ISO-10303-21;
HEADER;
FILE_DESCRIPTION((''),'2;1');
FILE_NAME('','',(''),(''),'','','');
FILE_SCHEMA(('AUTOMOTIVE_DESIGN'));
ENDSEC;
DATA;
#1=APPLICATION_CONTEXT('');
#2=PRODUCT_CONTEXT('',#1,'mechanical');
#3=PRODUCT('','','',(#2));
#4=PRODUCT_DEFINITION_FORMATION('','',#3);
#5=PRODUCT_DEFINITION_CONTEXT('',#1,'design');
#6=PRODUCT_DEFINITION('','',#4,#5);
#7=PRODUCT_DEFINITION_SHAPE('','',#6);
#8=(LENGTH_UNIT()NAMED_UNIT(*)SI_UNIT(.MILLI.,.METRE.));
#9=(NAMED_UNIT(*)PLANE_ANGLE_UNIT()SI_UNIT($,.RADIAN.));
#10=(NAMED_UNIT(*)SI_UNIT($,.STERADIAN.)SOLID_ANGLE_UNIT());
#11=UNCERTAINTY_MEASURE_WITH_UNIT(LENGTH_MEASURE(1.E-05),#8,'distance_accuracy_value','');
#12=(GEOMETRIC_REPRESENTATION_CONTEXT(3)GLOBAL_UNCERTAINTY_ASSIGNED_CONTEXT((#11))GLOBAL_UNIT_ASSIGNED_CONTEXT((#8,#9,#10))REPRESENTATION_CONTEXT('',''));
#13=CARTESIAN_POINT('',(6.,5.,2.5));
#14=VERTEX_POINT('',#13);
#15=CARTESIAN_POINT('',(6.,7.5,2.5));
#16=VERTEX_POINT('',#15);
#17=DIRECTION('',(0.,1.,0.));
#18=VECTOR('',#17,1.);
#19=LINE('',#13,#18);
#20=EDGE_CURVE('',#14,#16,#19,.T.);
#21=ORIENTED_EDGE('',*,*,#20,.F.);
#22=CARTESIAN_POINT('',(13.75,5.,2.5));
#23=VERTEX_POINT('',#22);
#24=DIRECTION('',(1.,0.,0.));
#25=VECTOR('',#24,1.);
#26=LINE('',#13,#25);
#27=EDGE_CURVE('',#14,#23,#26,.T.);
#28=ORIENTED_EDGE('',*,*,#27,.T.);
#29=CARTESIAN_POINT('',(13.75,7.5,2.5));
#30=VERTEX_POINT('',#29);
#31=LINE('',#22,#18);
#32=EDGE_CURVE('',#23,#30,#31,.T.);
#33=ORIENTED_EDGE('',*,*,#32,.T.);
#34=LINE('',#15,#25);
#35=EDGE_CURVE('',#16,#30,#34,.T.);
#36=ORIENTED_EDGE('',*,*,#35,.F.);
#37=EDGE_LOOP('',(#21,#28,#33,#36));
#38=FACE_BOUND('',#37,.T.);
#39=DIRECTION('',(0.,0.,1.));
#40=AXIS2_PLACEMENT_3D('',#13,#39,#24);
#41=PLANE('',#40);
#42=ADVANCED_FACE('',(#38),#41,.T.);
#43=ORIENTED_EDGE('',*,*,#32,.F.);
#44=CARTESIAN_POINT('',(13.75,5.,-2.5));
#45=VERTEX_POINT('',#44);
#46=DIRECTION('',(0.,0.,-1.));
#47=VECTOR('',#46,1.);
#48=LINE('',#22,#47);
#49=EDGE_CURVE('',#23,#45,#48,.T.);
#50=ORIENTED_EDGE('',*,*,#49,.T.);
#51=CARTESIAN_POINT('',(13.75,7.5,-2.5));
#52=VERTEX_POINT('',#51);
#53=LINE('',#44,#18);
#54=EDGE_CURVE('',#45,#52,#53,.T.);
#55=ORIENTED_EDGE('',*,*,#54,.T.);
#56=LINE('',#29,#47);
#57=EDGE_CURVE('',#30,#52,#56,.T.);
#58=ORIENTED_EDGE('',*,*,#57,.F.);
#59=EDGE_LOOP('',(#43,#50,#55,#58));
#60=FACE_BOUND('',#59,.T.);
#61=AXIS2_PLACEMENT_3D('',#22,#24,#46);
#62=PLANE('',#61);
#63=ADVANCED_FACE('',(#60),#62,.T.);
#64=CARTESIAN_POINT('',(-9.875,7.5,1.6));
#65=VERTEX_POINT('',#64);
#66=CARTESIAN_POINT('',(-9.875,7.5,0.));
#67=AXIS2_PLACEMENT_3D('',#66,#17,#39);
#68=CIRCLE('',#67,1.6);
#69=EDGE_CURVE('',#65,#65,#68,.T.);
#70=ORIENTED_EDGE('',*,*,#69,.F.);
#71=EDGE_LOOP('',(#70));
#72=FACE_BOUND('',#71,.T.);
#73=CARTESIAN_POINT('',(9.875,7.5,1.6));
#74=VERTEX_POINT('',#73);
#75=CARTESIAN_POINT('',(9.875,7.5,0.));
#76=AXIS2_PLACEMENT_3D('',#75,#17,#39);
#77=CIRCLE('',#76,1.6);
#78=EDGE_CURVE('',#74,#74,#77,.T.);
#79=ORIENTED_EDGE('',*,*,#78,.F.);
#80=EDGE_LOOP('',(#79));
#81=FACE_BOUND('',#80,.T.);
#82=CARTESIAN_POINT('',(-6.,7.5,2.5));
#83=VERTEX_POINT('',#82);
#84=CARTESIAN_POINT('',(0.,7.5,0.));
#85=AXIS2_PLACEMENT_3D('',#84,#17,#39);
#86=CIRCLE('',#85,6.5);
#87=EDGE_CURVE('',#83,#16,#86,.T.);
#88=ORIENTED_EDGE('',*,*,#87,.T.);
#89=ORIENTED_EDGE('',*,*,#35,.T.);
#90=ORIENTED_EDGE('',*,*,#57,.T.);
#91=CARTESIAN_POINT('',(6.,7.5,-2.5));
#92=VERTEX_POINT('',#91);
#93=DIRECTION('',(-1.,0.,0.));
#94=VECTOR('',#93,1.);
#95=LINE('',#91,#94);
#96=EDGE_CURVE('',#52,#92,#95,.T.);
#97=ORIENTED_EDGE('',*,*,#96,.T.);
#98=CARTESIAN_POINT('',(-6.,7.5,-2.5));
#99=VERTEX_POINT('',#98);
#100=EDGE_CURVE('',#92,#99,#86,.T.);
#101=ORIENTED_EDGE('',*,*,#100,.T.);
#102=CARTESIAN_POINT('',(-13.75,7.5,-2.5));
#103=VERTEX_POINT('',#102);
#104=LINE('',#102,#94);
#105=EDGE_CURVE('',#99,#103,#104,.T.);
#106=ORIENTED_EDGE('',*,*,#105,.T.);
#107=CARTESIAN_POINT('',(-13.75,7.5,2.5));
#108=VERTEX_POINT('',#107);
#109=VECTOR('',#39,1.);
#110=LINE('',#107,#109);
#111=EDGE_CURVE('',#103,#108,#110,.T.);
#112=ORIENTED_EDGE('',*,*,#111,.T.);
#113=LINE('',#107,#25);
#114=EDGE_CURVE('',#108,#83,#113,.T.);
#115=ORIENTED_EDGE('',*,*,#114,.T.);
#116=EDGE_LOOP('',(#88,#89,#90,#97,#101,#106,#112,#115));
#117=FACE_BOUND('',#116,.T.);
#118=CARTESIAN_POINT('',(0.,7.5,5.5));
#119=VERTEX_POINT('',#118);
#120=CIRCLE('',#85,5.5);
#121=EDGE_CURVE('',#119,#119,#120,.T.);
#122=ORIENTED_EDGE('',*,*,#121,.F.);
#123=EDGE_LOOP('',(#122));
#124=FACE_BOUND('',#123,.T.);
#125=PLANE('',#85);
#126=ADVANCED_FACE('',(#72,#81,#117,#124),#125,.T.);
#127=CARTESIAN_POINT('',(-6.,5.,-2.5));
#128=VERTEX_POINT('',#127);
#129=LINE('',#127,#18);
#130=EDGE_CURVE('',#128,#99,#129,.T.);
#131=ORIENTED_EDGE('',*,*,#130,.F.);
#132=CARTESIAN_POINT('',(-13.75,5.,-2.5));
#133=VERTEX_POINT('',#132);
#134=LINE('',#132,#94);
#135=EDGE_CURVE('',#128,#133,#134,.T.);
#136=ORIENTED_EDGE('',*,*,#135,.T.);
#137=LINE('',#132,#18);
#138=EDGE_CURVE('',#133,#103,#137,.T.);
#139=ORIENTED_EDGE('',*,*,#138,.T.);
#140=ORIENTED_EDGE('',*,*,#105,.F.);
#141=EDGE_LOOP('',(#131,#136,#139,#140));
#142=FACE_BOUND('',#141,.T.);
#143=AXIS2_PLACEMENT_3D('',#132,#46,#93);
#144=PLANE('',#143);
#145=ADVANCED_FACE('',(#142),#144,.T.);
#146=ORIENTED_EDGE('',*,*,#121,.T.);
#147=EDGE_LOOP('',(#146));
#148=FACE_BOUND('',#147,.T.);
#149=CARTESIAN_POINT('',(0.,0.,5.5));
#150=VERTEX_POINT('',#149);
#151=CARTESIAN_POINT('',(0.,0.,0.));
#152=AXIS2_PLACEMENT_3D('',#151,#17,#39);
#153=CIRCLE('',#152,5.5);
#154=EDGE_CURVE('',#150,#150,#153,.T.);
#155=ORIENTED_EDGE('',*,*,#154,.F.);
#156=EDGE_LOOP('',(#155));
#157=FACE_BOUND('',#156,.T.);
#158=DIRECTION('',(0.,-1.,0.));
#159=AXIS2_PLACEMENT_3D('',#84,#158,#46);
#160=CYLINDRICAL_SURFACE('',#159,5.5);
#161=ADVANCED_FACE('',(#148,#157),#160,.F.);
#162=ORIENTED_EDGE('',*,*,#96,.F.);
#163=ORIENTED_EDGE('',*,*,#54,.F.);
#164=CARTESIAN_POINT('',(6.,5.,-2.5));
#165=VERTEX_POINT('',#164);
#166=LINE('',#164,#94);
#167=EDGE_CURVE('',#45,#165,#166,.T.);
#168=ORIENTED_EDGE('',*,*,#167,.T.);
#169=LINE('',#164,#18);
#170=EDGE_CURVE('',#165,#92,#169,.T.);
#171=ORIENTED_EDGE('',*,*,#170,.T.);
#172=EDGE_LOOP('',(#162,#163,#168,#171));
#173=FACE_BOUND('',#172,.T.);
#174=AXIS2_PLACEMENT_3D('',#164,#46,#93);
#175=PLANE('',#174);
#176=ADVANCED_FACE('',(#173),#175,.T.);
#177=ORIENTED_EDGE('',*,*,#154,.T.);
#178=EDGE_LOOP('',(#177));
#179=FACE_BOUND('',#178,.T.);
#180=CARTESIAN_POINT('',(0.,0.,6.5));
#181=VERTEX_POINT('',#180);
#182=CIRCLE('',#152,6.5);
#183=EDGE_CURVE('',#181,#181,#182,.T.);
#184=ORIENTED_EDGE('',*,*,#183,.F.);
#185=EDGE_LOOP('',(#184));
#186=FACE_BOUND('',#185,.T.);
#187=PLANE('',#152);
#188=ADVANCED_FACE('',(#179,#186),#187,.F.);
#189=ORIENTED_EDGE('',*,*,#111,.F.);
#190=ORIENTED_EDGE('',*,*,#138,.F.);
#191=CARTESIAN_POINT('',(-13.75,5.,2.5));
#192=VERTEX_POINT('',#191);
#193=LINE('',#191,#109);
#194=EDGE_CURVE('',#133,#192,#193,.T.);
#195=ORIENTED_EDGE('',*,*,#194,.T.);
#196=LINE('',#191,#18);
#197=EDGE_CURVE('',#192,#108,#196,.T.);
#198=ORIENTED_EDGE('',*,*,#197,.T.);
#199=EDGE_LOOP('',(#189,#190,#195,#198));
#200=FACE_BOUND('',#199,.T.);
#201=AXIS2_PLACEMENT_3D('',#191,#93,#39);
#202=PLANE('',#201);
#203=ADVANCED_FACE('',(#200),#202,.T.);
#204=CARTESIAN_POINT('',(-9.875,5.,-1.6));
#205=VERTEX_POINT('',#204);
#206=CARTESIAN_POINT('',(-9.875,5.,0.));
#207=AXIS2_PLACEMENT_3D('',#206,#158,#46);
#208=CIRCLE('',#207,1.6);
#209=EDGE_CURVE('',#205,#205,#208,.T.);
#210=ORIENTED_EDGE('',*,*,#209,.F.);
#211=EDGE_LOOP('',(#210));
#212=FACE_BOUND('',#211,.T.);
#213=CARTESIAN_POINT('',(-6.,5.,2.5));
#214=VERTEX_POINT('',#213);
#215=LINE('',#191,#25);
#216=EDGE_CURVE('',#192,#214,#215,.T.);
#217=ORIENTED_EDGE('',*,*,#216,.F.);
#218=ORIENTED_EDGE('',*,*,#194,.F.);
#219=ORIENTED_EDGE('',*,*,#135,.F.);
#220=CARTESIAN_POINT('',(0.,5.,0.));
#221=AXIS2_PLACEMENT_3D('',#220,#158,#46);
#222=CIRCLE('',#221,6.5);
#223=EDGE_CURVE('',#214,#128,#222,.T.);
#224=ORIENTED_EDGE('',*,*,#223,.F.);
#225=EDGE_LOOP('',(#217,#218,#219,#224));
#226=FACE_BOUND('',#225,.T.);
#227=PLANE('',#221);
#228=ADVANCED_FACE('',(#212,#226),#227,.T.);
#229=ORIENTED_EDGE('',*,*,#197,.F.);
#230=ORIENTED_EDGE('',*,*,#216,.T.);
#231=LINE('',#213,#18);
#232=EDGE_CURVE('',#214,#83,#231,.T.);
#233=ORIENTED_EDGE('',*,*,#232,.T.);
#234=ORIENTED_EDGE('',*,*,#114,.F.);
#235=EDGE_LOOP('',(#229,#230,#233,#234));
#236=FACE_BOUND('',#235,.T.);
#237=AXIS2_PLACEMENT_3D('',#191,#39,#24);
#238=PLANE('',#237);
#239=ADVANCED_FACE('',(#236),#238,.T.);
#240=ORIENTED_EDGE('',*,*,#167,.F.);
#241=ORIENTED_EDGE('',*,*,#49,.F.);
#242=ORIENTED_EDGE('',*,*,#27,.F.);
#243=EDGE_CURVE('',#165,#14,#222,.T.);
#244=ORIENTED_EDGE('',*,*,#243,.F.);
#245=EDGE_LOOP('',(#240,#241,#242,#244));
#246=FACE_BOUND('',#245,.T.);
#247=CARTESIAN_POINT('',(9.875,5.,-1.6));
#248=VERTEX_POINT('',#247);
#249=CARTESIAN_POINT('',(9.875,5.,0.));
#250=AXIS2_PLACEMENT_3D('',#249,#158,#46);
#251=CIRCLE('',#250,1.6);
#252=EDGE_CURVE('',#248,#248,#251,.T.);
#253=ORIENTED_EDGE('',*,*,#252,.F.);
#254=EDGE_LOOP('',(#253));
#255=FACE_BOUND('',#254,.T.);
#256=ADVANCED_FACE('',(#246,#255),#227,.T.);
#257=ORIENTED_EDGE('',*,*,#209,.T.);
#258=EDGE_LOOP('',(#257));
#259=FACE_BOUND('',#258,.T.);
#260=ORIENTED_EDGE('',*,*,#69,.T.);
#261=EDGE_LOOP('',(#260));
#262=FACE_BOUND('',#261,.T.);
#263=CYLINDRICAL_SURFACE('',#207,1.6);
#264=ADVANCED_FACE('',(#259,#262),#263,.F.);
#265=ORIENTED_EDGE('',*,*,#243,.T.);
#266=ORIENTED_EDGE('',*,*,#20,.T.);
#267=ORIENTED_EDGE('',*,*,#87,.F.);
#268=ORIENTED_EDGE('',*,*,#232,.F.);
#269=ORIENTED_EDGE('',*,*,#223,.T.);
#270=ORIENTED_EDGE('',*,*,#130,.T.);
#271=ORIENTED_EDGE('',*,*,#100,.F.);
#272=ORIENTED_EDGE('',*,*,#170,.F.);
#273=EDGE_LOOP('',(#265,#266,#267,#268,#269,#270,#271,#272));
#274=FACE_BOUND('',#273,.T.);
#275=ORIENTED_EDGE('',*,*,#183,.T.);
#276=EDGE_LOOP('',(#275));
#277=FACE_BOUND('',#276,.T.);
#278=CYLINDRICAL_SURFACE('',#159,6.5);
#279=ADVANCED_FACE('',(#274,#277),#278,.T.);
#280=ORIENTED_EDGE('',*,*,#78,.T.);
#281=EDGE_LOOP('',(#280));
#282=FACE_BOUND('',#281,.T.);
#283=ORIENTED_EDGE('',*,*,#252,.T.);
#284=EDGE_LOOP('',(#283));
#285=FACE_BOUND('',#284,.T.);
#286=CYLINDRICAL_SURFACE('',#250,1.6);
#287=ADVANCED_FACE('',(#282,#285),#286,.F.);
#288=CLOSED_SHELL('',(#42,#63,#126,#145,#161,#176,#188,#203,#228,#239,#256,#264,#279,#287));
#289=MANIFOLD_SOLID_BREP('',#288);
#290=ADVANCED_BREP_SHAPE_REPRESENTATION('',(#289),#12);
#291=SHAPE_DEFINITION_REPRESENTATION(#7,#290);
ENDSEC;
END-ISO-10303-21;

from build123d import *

# Parameters (mm, degrees)
SKETCH1_R                = 6.5
SKETCH1_R_2              = 5.5
BOSS_EXTRUDE1_DEPTH      = 7.5
BOSS_EXTRUDE2_START      = -2.5
BOSS_EXTRUDE2_DEPTH      = 2.5
M3_CLEARANCE_HOLE1_D     = 3.2
M3_CLEARANCE_HOLE1_DEPTH = 5
M3_CLEARANCE_HOLE1_TIP   = 0.96137699


with BuildPart() as part:
    # Sketch1 → Boss-Extrude1 (new body)
    with BuildSketch(Plane(origin=(0, 0, 0), x_dir=(1, 0, 0), z_dir=(0, 1, 0))):
        with Locations(Location((0, 0, 0), (0, 0, 270))):
            Circle(SKETCH1_R)
        with Locations(Location((0, 0, 0), (0, 0, 270))):
            Circle(SKETCH1_R_2, mode=Mode.SUBTRACT)
    extrude(amount=BOSS_EXTRUDE1_DEPTH)

    # Sketch2 → Boss-Extrude2 (add)
    with BuildSketch(Plane(origin=(0, 7.5, 0), x_dir=(1, 0, 0), z_dir=(0, 1, 0)).offset(BOSS_EXTRUDE2_START)):
        with BuildLine():
            Line((-13.75, 2.5), (-6, 2.5))
            ThreePointArc((-6, 2.5), (-6.5, 0), (-6, -2.5))
            Line((-6, -2.5), (-13.75, -2.5))
            Line((-13.75, -2.5), (-13.75, 2.5))
        make_face()
        with BuildLine():
            Line((13.75, -2.5), (13.75, 2.5))
            Line((13.75, 2.5), (6, 2.5))
            ThreePointArc((6, 2.5), (6.5, 0), (6, -2.5))
            Line((6, -2.5), (13.75, -2.5))
        make_face()
    extrude(amount=BOSS_EXTRUDE2_DEPTH)

    # M3 Clearance Hole1
    with Locations(Plane(origin=(9.875, 5, 0), x_dir=(0, 0, -1), z_dir=(0, -1, 0))):
        with Locations((0, 0), (0, -19.75)):
            Hole(M3_CLEARANCE_HOLE1_D / 2, depth=M3_CLEARANCE_HOLE1_DEPTH)
            with Locations((0, 0, -(M3_CLEARANCE_HOLE1_DEPTH + M3_CLEARANCE_HOLE1_TIP / 2))):  # 118° drill point
                Cone(0, M3_CLEARANCE_HOLE1_D / 2, M3_CLEARANCE_HOLE1_TIP, mode=Mode.SUBTRACT)


solid = part.part
